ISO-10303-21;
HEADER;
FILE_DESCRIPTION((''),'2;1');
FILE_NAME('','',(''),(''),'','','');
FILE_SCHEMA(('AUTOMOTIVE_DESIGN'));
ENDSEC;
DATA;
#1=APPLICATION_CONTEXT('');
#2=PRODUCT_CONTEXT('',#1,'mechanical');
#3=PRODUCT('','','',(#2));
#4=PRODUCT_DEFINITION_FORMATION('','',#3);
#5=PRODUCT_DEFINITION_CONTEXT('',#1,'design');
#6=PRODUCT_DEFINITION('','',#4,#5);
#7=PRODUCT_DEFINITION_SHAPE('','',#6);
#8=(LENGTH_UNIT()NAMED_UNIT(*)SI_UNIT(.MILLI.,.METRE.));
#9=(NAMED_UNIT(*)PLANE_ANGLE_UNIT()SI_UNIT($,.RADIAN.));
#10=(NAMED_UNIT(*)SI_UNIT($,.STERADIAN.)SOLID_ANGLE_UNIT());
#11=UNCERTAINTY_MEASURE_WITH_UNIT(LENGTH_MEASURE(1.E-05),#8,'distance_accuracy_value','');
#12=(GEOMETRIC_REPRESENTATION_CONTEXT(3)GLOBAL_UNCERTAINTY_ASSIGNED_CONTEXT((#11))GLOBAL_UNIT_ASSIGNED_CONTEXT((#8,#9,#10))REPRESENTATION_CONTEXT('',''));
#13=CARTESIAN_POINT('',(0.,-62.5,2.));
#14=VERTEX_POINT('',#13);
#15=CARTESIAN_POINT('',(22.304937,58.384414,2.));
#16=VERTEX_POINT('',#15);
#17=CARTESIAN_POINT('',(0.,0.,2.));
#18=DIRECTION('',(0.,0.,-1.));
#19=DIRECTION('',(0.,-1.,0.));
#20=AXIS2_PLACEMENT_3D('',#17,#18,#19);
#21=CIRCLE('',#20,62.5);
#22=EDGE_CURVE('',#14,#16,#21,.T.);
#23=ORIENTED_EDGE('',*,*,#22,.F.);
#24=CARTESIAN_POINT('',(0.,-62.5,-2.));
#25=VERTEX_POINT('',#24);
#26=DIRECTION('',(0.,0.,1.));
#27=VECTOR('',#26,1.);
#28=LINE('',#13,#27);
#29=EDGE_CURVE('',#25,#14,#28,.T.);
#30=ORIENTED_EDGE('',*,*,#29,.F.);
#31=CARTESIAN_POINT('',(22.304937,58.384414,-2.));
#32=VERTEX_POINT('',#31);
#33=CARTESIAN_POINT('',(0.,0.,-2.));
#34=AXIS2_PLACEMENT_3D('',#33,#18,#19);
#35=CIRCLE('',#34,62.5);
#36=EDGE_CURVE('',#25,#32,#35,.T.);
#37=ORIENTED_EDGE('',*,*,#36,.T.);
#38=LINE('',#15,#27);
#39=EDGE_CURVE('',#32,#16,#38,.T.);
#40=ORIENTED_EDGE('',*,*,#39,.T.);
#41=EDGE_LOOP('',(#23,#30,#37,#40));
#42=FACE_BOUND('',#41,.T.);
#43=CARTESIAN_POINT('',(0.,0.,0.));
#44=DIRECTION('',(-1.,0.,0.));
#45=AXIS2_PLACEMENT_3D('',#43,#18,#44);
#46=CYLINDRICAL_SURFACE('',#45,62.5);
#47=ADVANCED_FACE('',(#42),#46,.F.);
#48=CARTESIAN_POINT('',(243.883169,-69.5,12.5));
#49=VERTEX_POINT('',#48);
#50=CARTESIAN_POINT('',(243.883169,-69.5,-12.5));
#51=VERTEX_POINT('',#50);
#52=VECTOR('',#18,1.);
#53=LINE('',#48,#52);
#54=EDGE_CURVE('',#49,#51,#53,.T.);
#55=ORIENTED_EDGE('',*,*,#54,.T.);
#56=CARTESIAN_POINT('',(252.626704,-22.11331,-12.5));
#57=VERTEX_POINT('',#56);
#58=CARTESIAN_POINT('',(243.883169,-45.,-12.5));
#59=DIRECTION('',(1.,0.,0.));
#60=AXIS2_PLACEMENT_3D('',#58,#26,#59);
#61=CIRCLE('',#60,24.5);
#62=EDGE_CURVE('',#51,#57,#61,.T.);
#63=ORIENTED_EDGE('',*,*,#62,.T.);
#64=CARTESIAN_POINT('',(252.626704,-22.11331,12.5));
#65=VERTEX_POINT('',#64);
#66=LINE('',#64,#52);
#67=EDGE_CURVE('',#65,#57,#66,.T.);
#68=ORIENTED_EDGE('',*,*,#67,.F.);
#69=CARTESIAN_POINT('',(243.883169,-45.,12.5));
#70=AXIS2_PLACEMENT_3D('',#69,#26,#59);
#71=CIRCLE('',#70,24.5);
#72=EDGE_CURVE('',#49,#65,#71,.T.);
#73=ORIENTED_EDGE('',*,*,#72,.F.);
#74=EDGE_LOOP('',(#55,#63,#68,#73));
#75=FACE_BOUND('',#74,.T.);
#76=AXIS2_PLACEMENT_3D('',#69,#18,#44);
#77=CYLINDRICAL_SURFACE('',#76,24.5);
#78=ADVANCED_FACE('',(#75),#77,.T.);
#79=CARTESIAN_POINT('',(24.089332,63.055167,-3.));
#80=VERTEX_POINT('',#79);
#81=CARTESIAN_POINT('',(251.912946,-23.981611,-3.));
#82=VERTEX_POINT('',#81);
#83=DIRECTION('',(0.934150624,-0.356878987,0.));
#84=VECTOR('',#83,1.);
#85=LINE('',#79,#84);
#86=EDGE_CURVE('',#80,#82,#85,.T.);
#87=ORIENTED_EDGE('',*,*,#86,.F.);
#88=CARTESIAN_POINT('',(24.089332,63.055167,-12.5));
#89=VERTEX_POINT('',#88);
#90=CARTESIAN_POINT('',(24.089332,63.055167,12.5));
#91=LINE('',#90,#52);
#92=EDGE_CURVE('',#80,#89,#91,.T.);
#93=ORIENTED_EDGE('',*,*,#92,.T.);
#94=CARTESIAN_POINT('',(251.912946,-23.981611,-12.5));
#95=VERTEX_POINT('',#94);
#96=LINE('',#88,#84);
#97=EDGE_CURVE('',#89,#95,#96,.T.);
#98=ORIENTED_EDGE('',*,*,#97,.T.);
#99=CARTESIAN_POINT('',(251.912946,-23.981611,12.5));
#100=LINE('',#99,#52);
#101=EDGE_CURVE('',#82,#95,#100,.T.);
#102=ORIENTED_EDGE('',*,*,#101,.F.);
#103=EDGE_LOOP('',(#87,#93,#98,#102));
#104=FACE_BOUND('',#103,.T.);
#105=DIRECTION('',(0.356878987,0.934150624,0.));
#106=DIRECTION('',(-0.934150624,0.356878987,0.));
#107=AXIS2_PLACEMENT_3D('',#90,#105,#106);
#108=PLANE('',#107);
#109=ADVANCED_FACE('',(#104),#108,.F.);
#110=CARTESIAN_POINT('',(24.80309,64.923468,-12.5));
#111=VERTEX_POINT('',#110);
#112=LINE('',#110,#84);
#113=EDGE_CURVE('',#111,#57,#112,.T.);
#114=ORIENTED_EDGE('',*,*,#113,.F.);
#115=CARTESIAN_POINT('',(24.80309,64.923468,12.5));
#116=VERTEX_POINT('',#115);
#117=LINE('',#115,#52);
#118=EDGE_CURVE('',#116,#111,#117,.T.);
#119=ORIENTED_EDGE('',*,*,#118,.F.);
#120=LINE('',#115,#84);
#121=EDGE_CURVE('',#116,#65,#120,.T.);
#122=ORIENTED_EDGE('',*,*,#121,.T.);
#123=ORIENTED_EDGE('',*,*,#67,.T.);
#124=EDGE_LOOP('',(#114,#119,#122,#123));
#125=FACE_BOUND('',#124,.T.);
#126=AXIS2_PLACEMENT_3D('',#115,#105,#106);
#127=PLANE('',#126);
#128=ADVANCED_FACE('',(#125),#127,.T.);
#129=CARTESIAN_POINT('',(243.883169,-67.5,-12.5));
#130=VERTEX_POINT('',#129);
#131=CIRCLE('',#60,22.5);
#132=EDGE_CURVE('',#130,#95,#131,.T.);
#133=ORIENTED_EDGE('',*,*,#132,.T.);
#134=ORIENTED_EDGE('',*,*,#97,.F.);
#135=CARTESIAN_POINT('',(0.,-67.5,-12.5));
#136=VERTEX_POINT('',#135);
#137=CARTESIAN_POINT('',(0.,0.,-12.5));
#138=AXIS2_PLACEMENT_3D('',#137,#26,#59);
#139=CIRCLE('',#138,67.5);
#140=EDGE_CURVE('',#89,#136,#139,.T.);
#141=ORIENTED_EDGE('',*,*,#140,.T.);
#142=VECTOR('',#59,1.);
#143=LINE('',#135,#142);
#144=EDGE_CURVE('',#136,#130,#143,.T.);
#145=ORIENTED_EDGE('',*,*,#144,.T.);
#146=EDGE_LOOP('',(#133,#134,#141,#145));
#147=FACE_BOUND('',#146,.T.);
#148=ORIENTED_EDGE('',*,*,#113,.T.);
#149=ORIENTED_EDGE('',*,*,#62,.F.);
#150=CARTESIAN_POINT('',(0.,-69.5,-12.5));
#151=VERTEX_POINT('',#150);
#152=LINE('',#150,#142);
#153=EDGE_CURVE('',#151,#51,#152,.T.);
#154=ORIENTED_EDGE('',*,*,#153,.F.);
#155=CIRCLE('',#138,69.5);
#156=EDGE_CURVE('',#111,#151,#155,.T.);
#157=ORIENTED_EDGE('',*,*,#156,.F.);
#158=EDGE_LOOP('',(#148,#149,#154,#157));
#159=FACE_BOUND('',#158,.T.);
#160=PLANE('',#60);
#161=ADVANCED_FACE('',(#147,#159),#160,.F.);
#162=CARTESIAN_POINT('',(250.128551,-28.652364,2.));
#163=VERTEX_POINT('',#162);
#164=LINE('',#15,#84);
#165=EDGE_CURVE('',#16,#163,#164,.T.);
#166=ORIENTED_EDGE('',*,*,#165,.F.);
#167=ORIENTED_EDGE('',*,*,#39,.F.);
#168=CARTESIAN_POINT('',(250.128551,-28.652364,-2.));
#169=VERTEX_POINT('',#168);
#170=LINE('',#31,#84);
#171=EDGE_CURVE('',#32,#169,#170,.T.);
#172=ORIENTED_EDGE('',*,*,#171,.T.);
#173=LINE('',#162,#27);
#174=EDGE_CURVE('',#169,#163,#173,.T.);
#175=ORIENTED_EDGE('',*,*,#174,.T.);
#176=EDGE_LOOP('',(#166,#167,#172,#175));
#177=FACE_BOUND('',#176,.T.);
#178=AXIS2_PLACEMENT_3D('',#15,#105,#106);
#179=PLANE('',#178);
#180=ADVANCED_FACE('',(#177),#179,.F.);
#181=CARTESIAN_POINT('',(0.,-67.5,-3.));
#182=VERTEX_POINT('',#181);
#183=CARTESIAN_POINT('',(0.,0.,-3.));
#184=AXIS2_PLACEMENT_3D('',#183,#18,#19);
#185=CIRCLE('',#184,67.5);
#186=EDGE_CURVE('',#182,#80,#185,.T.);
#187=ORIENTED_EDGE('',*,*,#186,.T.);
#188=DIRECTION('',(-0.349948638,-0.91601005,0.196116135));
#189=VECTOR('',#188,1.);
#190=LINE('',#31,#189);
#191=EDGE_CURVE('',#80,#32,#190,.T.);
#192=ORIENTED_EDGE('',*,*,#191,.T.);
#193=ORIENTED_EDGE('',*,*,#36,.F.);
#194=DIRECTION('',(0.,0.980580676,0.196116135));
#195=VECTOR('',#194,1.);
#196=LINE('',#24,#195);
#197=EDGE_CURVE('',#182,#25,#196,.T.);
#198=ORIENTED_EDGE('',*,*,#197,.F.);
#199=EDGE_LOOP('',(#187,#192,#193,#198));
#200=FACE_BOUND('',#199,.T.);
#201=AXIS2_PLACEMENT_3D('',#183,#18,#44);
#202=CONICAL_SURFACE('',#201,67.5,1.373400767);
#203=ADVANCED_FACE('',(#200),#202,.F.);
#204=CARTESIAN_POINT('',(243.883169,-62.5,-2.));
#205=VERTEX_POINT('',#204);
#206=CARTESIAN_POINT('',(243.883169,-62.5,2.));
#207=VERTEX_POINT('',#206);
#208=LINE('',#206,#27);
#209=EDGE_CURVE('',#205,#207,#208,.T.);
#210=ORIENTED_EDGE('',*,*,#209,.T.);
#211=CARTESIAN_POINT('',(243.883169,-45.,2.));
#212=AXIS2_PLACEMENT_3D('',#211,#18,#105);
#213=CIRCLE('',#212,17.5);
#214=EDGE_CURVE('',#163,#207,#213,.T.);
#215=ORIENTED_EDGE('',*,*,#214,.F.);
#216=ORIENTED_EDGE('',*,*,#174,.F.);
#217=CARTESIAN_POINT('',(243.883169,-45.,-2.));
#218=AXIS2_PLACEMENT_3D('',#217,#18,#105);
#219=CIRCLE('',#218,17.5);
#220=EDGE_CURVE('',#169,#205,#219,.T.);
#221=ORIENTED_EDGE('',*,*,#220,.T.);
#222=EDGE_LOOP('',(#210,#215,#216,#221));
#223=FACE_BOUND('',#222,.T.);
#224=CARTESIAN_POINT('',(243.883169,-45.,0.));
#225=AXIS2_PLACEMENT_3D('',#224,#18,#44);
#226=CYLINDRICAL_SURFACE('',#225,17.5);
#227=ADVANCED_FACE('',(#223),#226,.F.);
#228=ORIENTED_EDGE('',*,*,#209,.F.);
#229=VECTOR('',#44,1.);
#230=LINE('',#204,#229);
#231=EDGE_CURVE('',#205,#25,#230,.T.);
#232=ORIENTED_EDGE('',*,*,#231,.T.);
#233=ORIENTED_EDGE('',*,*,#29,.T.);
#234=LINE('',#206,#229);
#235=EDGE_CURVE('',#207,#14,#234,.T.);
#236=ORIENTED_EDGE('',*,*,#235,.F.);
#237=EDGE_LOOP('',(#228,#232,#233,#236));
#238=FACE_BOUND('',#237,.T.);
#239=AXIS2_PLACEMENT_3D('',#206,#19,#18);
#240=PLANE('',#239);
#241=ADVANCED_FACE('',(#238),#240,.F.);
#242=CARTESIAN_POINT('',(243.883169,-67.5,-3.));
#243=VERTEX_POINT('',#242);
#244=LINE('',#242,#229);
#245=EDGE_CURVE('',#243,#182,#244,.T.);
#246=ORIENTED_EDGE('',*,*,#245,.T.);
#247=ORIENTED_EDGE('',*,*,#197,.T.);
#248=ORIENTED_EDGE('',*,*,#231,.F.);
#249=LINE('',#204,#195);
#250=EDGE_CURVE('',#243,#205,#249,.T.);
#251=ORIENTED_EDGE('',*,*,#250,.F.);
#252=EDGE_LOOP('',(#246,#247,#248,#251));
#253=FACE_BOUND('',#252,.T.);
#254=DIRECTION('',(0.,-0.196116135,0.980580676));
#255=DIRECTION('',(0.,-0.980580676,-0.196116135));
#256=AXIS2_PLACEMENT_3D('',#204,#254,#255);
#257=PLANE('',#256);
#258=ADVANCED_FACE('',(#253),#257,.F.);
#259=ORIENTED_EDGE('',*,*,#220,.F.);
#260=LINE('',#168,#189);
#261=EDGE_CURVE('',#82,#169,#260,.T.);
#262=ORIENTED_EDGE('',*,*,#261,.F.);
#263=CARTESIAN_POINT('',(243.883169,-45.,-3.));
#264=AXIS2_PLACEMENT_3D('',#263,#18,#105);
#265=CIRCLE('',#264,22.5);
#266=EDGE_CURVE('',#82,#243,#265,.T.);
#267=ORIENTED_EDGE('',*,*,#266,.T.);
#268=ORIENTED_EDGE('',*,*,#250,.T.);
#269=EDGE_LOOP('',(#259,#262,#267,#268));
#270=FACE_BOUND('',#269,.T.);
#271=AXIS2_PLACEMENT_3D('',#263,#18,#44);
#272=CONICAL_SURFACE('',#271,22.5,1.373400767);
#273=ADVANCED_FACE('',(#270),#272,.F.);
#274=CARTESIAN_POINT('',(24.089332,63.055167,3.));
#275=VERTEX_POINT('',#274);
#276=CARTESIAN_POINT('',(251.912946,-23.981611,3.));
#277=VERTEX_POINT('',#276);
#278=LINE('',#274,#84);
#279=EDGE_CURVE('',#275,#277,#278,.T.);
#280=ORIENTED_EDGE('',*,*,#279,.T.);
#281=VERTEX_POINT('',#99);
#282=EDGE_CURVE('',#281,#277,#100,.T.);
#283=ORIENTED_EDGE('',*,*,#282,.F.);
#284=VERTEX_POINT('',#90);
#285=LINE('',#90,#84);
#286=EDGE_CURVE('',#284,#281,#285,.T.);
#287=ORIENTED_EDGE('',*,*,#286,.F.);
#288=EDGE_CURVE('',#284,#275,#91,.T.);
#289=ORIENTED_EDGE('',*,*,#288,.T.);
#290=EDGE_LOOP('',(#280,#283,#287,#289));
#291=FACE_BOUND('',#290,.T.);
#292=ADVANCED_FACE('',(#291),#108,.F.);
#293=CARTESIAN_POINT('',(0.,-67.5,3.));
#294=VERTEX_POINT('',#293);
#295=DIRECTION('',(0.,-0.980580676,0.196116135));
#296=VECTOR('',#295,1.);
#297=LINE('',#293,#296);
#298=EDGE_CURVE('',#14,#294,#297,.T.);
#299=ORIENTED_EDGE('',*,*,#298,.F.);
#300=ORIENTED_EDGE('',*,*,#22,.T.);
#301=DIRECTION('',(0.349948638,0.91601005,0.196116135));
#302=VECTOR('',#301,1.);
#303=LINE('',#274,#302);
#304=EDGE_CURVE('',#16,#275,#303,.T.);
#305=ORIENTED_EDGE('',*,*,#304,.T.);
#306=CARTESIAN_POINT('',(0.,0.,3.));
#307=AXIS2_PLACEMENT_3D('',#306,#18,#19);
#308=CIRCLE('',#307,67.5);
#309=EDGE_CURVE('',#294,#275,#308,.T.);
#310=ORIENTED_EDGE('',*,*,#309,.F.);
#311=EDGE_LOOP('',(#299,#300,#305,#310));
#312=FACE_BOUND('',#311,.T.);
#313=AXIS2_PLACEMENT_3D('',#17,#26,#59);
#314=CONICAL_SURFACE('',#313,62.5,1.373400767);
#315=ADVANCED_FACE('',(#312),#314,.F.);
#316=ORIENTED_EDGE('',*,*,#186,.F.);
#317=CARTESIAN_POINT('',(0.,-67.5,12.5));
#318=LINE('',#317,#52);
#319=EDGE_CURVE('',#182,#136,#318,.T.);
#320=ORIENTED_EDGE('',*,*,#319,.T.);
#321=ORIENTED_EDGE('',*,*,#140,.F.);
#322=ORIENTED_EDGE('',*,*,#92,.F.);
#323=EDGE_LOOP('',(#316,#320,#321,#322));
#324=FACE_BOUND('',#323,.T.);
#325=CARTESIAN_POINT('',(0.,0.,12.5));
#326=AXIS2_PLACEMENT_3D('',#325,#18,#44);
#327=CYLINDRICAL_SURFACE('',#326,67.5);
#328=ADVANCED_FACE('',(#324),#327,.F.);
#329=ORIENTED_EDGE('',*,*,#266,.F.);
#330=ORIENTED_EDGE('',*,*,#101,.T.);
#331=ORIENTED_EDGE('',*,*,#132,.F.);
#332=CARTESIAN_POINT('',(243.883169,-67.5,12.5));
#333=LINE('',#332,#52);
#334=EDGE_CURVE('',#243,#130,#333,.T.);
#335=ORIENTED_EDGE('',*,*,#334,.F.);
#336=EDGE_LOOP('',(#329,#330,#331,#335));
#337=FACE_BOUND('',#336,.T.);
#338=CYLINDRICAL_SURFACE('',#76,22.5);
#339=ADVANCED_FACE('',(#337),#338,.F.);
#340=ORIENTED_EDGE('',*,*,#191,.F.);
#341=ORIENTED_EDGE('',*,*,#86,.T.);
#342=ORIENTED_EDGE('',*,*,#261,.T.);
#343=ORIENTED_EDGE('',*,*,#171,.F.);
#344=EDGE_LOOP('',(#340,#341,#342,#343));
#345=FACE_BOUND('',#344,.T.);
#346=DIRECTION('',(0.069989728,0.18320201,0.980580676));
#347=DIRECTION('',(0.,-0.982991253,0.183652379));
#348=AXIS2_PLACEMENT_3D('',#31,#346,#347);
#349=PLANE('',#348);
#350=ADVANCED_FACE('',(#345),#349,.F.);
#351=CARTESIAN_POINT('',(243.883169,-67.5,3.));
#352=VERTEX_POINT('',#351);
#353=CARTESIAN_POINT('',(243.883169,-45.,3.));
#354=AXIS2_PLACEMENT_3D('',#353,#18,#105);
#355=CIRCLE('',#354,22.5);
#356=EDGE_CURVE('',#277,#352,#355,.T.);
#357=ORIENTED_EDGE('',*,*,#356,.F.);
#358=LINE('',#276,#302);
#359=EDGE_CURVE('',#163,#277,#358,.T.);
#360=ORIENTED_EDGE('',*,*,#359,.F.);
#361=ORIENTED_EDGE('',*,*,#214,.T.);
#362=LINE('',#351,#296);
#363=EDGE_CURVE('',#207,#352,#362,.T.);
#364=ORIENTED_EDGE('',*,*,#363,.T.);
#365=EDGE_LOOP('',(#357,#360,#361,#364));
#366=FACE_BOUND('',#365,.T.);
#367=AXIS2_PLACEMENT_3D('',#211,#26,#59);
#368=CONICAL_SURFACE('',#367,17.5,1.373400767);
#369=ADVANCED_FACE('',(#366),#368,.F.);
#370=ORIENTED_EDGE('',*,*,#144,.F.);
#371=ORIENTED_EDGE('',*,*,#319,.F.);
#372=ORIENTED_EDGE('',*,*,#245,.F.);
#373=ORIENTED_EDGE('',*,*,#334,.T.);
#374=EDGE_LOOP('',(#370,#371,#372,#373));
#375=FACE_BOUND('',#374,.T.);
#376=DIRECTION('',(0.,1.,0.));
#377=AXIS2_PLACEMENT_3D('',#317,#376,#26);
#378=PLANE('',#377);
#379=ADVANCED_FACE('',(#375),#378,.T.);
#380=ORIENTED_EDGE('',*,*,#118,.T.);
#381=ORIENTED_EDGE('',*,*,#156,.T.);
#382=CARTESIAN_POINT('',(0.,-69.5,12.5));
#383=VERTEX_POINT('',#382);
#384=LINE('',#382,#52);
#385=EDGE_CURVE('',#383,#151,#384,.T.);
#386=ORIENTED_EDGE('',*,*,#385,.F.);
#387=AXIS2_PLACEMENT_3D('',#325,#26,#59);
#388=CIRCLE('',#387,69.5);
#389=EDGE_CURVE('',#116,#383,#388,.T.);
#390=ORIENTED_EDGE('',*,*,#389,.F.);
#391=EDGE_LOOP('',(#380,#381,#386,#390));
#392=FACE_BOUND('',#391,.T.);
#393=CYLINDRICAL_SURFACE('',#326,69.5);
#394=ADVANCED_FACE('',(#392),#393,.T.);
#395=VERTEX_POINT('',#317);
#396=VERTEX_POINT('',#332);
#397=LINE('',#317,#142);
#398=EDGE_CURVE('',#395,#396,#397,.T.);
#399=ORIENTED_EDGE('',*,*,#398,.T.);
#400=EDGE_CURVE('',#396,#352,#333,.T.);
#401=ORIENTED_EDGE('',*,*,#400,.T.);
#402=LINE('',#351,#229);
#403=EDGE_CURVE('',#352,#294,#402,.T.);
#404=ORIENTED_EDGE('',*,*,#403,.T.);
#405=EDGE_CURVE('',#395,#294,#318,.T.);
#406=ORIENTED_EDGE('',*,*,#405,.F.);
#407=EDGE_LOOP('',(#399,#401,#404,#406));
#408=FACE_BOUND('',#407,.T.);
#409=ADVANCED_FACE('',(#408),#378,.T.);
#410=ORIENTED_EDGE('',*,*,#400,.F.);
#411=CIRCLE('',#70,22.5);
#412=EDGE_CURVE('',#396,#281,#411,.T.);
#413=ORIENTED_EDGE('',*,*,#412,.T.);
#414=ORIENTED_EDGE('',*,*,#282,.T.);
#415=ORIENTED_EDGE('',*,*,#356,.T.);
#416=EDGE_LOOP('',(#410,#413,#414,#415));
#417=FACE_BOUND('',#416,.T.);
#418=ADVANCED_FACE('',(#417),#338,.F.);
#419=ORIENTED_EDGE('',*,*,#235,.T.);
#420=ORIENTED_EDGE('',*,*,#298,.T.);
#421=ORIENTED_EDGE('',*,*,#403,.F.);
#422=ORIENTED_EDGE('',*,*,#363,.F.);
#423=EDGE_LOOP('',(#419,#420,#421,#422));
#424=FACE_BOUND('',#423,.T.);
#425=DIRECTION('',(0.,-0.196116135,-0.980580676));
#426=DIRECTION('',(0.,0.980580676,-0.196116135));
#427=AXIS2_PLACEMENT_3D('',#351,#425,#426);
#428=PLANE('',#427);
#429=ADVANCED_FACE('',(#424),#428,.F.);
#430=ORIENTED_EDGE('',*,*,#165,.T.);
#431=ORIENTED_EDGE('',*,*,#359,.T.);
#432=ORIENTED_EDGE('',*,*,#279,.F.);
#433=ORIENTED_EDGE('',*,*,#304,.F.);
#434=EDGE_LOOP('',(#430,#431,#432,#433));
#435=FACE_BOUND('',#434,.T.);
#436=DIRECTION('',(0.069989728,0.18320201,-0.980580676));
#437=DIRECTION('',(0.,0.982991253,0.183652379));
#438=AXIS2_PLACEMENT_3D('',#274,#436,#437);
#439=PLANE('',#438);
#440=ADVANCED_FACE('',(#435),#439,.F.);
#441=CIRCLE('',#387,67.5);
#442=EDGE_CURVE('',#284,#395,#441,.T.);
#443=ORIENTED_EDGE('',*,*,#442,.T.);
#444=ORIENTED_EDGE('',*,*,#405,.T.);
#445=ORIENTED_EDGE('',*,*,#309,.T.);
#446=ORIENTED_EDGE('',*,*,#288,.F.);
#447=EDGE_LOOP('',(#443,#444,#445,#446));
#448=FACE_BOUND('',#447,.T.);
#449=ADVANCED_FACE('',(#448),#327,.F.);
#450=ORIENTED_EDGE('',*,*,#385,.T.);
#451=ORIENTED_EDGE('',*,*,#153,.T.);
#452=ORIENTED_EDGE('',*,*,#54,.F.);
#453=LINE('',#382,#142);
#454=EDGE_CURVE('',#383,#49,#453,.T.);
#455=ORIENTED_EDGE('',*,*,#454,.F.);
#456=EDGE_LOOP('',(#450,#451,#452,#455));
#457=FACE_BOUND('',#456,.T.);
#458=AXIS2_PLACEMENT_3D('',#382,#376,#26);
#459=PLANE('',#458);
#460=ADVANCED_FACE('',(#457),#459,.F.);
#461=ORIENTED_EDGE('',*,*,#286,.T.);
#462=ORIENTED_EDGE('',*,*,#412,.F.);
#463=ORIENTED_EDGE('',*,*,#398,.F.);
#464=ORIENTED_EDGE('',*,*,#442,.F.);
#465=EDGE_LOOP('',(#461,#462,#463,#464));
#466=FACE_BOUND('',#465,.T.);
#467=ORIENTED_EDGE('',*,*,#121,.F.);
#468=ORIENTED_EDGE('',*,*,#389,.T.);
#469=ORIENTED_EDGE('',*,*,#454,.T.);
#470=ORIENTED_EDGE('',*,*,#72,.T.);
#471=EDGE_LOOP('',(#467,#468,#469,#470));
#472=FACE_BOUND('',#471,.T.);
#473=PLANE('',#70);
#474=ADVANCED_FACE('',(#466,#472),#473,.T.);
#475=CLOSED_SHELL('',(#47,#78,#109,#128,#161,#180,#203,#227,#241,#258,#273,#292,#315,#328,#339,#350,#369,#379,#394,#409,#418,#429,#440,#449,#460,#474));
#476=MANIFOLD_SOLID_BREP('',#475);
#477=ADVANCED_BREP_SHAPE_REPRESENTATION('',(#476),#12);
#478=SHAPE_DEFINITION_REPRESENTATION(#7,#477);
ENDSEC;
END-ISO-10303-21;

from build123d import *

# Parameters (mm, degrees)
EXTRUDE_THIN1_DEPTH = 12.5


with BuildPart() as part:
    # Sketch1 → Extrude-Thin1 (new, symmetric)
    with BuildSketch(Plane.XY):
        with BuildLine():
            Line((252.626703921, -22.113309703), (24.803089564, 64.923468392))
            ThreePointArc((24.803089564, 64.923468392), (-68.346291243, 12.610887097), (0, -69.5))
            Line((0, -69.5), (243.883168751, -69.5))
            ThreePointArc((243.883168751, -69.5), (267.976465664, -49.445564516), (252.626703921, -22.113309703))
        make_face()
        with BuildLine():
            Line((251.912945948, -23.981610952), (24.089331591, 63.055167144))
            ThreePointArc((24.089331591, 63.055167144), (-66.379491495, 12.247983871), (0, -67.5))
            Line((0, -67.5), (243.883168751, -67.5))
            ThreePointArc((243.883168751, -67.5), (266.009665916, -49.08266129), (251.912945948, -23.981610952))
        make_face(mode=Mode.SUBTRACT)
    extrude(amount=EXTRUDE_THIN1_DEPTH, both=True)

    # Sweep1: sweep along a path in Sketch1<3>
    with BuildLine(Plane.XY) as sweep1_path:
        Line((0, -67.5), (243.883168751, -67.5))
        ThreePointArc((243.883168751, -67.5), (266.009665916, -49.08266129), (251.912945948, -23.981610952))
        Line((251.912945948, -23.981610952), (24.089331591, 63.055167144))
        ThreePointArc((24.089331591, 63.055167144), (-66.379491495, 12.247983871), (0, -67.5))
    # Sketch2 → Sweep1 (sweep)
    with BuildSketch(Plane(origin=(0, 0, 0), x_dir=(0, 0, -1), z_dir=(1, 0, 0))):
        Polygon((-3, -67.5), (-2, -62.5), (2, -62.5), (3, -67.5), align=None)
    sweep(path=sweep1_path.line)


solid = part.part
